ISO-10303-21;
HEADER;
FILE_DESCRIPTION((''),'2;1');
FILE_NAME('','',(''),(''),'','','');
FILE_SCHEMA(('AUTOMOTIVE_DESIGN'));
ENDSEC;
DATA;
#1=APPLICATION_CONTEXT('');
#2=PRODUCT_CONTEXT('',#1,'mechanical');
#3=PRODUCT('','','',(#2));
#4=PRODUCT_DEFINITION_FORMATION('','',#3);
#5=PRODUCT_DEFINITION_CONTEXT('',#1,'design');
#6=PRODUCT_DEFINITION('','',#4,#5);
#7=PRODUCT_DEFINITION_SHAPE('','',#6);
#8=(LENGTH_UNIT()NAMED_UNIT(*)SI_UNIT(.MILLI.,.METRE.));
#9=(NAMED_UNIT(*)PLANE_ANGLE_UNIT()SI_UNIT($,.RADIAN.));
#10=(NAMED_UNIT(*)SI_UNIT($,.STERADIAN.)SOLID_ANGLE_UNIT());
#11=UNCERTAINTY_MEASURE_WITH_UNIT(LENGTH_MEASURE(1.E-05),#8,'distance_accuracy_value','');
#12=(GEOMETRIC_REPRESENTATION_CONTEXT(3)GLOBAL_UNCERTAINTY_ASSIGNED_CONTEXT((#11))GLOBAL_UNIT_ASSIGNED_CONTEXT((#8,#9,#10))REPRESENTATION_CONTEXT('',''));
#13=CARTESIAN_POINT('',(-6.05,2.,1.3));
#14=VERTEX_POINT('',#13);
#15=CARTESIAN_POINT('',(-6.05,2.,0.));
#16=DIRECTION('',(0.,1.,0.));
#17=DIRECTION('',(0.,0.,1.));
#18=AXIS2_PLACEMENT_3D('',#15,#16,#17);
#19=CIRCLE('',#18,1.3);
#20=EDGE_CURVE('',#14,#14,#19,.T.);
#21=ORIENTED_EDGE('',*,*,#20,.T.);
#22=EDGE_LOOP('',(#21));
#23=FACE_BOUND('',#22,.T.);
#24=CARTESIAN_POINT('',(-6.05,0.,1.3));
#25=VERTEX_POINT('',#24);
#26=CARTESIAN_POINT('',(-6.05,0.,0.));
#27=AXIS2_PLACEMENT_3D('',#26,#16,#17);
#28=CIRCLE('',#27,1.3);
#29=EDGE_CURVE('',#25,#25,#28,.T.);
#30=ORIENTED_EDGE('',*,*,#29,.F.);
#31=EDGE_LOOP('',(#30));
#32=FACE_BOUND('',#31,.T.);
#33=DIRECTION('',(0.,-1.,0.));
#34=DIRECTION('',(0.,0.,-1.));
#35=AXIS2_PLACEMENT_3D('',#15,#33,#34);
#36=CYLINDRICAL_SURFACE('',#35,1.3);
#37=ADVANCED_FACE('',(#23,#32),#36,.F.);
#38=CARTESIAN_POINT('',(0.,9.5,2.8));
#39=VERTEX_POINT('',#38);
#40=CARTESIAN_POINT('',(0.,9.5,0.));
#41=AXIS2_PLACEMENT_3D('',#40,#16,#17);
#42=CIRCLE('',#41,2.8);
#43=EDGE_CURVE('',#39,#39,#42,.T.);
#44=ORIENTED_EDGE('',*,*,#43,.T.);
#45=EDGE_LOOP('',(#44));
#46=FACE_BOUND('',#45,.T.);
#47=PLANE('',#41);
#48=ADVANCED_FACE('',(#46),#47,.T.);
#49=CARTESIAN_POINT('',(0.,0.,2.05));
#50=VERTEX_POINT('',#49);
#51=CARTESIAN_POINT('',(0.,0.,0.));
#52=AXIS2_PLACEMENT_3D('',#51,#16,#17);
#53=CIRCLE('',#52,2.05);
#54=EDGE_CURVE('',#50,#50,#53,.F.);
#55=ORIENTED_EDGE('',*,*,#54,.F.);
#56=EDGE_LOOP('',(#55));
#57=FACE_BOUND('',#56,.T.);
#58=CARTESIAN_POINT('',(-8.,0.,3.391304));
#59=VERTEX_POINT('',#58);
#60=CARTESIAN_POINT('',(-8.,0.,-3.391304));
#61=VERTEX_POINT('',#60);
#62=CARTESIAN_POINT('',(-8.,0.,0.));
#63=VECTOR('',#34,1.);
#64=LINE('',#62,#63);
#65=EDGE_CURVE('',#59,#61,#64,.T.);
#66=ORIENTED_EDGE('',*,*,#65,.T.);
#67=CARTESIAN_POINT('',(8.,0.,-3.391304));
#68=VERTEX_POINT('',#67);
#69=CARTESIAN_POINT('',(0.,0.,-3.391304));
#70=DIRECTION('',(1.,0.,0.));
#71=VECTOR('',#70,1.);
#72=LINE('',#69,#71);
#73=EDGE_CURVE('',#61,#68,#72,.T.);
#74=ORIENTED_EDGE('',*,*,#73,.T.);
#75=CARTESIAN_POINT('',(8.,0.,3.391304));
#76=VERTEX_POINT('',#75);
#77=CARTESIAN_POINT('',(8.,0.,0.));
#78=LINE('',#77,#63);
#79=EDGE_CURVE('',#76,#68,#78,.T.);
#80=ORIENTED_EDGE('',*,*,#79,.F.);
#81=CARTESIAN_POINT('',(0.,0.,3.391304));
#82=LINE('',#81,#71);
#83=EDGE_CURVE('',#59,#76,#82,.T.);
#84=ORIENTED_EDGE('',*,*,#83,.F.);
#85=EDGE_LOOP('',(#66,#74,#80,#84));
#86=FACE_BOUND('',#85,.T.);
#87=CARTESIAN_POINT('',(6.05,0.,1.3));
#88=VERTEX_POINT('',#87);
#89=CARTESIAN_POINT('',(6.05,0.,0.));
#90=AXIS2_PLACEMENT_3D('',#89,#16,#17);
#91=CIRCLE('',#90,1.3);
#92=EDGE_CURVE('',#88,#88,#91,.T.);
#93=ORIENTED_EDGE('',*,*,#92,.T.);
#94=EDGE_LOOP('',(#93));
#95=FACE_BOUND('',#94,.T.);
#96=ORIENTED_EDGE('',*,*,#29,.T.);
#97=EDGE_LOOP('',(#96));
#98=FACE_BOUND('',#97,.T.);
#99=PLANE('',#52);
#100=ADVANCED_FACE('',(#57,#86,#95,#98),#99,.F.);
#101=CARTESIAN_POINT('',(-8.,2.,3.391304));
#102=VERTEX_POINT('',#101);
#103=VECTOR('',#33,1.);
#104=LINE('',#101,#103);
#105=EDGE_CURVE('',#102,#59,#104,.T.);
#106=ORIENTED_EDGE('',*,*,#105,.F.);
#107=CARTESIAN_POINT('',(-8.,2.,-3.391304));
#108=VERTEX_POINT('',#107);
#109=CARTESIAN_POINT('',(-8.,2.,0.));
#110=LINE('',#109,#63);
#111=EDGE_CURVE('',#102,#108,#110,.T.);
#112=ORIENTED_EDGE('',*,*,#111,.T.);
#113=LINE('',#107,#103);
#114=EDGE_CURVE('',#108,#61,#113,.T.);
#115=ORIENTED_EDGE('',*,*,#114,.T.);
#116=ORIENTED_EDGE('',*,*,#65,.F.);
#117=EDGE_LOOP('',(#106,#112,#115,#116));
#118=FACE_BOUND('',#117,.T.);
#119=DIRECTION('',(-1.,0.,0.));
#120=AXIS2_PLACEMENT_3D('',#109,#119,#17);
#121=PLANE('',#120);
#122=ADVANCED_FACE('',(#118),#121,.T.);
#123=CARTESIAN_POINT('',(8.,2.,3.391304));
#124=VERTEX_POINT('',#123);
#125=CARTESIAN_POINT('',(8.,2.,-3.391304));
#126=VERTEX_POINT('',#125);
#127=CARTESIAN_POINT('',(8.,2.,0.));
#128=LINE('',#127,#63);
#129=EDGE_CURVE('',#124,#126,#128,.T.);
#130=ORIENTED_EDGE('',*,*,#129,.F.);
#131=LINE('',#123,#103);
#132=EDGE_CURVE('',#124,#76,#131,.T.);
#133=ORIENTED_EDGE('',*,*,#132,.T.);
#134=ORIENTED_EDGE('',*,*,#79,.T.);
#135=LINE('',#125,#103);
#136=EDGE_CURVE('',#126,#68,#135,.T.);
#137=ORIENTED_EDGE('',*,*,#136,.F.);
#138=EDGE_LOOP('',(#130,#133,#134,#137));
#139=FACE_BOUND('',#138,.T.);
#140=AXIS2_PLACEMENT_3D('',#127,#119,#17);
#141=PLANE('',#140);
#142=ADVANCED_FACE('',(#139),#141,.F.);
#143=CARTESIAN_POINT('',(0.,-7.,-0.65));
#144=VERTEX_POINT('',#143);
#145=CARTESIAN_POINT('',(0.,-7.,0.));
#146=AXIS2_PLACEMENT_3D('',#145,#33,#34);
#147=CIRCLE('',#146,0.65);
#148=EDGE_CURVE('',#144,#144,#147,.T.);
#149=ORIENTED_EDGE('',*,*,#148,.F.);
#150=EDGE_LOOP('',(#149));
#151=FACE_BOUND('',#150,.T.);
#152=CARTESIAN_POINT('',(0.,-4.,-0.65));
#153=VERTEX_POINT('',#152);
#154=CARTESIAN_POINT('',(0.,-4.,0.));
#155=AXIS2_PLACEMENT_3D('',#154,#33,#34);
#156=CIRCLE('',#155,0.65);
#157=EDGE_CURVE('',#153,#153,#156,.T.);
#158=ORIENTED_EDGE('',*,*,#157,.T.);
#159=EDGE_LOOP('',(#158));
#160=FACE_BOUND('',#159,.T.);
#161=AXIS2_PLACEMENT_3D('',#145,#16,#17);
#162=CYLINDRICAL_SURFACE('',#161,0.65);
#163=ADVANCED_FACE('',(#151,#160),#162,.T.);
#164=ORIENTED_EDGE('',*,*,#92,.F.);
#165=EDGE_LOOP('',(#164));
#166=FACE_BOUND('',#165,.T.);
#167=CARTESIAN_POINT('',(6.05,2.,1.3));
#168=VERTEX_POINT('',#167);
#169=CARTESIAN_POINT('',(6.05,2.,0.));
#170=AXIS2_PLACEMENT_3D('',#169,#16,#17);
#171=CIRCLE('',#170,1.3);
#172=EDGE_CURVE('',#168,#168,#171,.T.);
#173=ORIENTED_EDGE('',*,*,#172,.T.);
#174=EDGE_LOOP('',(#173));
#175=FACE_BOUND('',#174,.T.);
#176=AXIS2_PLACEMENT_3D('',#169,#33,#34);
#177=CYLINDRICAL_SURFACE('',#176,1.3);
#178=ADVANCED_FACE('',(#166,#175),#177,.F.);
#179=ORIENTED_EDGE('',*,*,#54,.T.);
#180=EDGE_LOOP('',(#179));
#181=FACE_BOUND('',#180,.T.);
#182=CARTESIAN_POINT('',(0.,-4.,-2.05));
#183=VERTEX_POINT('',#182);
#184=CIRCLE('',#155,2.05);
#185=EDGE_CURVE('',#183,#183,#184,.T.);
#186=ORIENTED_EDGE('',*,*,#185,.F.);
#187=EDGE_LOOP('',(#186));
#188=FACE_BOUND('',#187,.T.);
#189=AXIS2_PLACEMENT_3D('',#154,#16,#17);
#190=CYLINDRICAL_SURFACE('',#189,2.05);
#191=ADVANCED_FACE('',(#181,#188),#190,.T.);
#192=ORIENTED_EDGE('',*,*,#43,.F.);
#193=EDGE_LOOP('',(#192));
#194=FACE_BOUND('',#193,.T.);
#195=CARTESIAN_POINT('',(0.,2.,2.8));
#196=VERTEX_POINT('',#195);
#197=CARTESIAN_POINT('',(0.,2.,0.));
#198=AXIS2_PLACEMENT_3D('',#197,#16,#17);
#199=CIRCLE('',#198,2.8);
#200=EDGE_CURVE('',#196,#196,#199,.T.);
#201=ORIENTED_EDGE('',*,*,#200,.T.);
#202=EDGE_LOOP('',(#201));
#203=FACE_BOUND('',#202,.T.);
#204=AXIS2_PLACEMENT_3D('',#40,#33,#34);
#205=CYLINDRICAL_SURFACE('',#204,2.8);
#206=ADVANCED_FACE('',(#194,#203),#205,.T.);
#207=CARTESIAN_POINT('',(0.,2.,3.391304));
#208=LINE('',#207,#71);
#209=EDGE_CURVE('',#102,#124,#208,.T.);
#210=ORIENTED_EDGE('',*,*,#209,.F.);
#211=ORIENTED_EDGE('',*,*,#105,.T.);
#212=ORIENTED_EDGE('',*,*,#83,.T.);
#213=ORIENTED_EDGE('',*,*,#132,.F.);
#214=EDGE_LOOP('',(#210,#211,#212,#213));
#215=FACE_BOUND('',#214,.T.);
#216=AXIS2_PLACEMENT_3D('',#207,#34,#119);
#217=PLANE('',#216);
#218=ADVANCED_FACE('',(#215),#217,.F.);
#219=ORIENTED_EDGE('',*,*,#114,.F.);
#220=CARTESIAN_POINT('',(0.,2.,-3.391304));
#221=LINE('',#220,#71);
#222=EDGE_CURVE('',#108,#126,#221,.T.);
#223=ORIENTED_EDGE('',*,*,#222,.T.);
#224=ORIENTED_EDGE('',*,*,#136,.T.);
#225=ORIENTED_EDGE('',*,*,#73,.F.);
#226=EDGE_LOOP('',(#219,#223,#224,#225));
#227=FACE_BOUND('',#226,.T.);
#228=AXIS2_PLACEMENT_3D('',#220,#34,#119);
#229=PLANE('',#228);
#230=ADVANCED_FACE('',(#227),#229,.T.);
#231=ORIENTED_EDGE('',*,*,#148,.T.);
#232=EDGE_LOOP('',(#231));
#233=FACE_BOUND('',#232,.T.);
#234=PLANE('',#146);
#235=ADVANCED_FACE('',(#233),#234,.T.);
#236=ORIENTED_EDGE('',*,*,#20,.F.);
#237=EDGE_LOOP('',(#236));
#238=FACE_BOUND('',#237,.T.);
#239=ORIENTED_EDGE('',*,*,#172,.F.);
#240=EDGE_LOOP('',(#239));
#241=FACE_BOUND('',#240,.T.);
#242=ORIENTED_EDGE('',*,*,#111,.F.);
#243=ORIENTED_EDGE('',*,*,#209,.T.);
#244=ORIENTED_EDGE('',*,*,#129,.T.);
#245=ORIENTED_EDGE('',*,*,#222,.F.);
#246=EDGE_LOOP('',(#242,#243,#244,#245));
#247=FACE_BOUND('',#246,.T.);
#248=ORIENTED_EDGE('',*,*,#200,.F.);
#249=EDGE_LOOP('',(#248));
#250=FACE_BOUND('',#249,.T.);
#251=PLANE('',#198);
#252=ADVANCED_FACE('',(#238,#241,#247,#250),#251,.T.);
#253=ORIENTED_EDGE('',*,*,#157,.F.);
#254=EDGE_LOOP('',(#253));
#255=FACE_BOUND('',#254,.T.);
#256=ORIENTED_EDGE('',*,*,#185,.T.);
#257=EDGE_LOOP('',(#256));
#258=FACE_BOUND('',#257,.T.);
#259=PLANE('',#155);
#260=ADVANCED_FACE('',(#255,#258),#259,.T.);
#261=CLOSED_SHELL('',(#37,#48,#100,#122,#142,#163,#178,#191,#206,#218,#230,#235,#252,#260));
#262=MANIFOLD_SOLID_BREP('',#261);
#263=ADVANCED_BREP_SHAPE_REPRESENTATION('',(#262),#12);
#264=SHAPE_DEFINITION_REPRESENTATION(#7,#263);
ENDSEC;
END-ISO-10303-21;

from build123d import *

# Parameters (mm, degrees)
SKETCH_1_W      = 16
SKETCH_1_H      = 6.782608696
SKETCH_1_R      = 1.3
EXTRUDE_1_DEPTH = 2
SKETCH_2_R      = 2.8
EXTRUDE_2_DEPTH = 7.5
SKETCH_3_R      = 2.05
EXTRUDE_3_DEPTH = 4
SKETCH_4_R      = 0.65
EXTRUDE_4_DEPTH = 3


with BuildPart() as part:
    # 草图1 → 凸台-拉伸1 (new body)
    with BuildSketch(Plane(origin=(0, 0, 0), x_dir=(1, 0, 0), z_dir=(0, 1, 0))):
        Rectangle(SKETCH_1_W, SKETCH_1_H)
        with Locations(Location((-6.05, 0, 0), (0, 0, 270))):
            Circle(SKETCH_1_R, mode=Mode.SUBTRACT)
        with Locations(Location((6.05, 0, 0), (0, 0, 270))):
            Circle(SKETCH_1_R, mode=Mode.SUBTRACT)
    extrude(amount=EXTRUDE_1_DEPTH)

    # 草图2 → 凸台-拉伸2 (add)
    with BuildSketch(Plane(origin=(0, 2, 0), x_dir=(1, 0, 0), z_dir=(0, 1, 0))):
        with Locations(Location((0, 0, 0), (0, 0, 270))):
            Circle(SKETCH_2_R)
    extrude(amount=EXTRUDE_2_DEPTH)

    # 草图3 → 凸台-拉伸3 (add)
    with BuildSketch(Plane.XZ):
        with Locations(Location((0, 0, 0), (0, 0, 90))):
            Circle(SKETCH_3_R)
    extrude(amount=EXTRUDE_3_DEPTH)

    # 草图4 → 凸台-拉伸4 (add)
    with BuildSketch(Plane.XZ.offset(4)):
        with Locations(Location((0, 0, 0), (0, 0, 270))):
            Circle(SKETCH_4_R)
    extrude(amount=EXTRUDE_4_DEPTH)


solid = part.part
